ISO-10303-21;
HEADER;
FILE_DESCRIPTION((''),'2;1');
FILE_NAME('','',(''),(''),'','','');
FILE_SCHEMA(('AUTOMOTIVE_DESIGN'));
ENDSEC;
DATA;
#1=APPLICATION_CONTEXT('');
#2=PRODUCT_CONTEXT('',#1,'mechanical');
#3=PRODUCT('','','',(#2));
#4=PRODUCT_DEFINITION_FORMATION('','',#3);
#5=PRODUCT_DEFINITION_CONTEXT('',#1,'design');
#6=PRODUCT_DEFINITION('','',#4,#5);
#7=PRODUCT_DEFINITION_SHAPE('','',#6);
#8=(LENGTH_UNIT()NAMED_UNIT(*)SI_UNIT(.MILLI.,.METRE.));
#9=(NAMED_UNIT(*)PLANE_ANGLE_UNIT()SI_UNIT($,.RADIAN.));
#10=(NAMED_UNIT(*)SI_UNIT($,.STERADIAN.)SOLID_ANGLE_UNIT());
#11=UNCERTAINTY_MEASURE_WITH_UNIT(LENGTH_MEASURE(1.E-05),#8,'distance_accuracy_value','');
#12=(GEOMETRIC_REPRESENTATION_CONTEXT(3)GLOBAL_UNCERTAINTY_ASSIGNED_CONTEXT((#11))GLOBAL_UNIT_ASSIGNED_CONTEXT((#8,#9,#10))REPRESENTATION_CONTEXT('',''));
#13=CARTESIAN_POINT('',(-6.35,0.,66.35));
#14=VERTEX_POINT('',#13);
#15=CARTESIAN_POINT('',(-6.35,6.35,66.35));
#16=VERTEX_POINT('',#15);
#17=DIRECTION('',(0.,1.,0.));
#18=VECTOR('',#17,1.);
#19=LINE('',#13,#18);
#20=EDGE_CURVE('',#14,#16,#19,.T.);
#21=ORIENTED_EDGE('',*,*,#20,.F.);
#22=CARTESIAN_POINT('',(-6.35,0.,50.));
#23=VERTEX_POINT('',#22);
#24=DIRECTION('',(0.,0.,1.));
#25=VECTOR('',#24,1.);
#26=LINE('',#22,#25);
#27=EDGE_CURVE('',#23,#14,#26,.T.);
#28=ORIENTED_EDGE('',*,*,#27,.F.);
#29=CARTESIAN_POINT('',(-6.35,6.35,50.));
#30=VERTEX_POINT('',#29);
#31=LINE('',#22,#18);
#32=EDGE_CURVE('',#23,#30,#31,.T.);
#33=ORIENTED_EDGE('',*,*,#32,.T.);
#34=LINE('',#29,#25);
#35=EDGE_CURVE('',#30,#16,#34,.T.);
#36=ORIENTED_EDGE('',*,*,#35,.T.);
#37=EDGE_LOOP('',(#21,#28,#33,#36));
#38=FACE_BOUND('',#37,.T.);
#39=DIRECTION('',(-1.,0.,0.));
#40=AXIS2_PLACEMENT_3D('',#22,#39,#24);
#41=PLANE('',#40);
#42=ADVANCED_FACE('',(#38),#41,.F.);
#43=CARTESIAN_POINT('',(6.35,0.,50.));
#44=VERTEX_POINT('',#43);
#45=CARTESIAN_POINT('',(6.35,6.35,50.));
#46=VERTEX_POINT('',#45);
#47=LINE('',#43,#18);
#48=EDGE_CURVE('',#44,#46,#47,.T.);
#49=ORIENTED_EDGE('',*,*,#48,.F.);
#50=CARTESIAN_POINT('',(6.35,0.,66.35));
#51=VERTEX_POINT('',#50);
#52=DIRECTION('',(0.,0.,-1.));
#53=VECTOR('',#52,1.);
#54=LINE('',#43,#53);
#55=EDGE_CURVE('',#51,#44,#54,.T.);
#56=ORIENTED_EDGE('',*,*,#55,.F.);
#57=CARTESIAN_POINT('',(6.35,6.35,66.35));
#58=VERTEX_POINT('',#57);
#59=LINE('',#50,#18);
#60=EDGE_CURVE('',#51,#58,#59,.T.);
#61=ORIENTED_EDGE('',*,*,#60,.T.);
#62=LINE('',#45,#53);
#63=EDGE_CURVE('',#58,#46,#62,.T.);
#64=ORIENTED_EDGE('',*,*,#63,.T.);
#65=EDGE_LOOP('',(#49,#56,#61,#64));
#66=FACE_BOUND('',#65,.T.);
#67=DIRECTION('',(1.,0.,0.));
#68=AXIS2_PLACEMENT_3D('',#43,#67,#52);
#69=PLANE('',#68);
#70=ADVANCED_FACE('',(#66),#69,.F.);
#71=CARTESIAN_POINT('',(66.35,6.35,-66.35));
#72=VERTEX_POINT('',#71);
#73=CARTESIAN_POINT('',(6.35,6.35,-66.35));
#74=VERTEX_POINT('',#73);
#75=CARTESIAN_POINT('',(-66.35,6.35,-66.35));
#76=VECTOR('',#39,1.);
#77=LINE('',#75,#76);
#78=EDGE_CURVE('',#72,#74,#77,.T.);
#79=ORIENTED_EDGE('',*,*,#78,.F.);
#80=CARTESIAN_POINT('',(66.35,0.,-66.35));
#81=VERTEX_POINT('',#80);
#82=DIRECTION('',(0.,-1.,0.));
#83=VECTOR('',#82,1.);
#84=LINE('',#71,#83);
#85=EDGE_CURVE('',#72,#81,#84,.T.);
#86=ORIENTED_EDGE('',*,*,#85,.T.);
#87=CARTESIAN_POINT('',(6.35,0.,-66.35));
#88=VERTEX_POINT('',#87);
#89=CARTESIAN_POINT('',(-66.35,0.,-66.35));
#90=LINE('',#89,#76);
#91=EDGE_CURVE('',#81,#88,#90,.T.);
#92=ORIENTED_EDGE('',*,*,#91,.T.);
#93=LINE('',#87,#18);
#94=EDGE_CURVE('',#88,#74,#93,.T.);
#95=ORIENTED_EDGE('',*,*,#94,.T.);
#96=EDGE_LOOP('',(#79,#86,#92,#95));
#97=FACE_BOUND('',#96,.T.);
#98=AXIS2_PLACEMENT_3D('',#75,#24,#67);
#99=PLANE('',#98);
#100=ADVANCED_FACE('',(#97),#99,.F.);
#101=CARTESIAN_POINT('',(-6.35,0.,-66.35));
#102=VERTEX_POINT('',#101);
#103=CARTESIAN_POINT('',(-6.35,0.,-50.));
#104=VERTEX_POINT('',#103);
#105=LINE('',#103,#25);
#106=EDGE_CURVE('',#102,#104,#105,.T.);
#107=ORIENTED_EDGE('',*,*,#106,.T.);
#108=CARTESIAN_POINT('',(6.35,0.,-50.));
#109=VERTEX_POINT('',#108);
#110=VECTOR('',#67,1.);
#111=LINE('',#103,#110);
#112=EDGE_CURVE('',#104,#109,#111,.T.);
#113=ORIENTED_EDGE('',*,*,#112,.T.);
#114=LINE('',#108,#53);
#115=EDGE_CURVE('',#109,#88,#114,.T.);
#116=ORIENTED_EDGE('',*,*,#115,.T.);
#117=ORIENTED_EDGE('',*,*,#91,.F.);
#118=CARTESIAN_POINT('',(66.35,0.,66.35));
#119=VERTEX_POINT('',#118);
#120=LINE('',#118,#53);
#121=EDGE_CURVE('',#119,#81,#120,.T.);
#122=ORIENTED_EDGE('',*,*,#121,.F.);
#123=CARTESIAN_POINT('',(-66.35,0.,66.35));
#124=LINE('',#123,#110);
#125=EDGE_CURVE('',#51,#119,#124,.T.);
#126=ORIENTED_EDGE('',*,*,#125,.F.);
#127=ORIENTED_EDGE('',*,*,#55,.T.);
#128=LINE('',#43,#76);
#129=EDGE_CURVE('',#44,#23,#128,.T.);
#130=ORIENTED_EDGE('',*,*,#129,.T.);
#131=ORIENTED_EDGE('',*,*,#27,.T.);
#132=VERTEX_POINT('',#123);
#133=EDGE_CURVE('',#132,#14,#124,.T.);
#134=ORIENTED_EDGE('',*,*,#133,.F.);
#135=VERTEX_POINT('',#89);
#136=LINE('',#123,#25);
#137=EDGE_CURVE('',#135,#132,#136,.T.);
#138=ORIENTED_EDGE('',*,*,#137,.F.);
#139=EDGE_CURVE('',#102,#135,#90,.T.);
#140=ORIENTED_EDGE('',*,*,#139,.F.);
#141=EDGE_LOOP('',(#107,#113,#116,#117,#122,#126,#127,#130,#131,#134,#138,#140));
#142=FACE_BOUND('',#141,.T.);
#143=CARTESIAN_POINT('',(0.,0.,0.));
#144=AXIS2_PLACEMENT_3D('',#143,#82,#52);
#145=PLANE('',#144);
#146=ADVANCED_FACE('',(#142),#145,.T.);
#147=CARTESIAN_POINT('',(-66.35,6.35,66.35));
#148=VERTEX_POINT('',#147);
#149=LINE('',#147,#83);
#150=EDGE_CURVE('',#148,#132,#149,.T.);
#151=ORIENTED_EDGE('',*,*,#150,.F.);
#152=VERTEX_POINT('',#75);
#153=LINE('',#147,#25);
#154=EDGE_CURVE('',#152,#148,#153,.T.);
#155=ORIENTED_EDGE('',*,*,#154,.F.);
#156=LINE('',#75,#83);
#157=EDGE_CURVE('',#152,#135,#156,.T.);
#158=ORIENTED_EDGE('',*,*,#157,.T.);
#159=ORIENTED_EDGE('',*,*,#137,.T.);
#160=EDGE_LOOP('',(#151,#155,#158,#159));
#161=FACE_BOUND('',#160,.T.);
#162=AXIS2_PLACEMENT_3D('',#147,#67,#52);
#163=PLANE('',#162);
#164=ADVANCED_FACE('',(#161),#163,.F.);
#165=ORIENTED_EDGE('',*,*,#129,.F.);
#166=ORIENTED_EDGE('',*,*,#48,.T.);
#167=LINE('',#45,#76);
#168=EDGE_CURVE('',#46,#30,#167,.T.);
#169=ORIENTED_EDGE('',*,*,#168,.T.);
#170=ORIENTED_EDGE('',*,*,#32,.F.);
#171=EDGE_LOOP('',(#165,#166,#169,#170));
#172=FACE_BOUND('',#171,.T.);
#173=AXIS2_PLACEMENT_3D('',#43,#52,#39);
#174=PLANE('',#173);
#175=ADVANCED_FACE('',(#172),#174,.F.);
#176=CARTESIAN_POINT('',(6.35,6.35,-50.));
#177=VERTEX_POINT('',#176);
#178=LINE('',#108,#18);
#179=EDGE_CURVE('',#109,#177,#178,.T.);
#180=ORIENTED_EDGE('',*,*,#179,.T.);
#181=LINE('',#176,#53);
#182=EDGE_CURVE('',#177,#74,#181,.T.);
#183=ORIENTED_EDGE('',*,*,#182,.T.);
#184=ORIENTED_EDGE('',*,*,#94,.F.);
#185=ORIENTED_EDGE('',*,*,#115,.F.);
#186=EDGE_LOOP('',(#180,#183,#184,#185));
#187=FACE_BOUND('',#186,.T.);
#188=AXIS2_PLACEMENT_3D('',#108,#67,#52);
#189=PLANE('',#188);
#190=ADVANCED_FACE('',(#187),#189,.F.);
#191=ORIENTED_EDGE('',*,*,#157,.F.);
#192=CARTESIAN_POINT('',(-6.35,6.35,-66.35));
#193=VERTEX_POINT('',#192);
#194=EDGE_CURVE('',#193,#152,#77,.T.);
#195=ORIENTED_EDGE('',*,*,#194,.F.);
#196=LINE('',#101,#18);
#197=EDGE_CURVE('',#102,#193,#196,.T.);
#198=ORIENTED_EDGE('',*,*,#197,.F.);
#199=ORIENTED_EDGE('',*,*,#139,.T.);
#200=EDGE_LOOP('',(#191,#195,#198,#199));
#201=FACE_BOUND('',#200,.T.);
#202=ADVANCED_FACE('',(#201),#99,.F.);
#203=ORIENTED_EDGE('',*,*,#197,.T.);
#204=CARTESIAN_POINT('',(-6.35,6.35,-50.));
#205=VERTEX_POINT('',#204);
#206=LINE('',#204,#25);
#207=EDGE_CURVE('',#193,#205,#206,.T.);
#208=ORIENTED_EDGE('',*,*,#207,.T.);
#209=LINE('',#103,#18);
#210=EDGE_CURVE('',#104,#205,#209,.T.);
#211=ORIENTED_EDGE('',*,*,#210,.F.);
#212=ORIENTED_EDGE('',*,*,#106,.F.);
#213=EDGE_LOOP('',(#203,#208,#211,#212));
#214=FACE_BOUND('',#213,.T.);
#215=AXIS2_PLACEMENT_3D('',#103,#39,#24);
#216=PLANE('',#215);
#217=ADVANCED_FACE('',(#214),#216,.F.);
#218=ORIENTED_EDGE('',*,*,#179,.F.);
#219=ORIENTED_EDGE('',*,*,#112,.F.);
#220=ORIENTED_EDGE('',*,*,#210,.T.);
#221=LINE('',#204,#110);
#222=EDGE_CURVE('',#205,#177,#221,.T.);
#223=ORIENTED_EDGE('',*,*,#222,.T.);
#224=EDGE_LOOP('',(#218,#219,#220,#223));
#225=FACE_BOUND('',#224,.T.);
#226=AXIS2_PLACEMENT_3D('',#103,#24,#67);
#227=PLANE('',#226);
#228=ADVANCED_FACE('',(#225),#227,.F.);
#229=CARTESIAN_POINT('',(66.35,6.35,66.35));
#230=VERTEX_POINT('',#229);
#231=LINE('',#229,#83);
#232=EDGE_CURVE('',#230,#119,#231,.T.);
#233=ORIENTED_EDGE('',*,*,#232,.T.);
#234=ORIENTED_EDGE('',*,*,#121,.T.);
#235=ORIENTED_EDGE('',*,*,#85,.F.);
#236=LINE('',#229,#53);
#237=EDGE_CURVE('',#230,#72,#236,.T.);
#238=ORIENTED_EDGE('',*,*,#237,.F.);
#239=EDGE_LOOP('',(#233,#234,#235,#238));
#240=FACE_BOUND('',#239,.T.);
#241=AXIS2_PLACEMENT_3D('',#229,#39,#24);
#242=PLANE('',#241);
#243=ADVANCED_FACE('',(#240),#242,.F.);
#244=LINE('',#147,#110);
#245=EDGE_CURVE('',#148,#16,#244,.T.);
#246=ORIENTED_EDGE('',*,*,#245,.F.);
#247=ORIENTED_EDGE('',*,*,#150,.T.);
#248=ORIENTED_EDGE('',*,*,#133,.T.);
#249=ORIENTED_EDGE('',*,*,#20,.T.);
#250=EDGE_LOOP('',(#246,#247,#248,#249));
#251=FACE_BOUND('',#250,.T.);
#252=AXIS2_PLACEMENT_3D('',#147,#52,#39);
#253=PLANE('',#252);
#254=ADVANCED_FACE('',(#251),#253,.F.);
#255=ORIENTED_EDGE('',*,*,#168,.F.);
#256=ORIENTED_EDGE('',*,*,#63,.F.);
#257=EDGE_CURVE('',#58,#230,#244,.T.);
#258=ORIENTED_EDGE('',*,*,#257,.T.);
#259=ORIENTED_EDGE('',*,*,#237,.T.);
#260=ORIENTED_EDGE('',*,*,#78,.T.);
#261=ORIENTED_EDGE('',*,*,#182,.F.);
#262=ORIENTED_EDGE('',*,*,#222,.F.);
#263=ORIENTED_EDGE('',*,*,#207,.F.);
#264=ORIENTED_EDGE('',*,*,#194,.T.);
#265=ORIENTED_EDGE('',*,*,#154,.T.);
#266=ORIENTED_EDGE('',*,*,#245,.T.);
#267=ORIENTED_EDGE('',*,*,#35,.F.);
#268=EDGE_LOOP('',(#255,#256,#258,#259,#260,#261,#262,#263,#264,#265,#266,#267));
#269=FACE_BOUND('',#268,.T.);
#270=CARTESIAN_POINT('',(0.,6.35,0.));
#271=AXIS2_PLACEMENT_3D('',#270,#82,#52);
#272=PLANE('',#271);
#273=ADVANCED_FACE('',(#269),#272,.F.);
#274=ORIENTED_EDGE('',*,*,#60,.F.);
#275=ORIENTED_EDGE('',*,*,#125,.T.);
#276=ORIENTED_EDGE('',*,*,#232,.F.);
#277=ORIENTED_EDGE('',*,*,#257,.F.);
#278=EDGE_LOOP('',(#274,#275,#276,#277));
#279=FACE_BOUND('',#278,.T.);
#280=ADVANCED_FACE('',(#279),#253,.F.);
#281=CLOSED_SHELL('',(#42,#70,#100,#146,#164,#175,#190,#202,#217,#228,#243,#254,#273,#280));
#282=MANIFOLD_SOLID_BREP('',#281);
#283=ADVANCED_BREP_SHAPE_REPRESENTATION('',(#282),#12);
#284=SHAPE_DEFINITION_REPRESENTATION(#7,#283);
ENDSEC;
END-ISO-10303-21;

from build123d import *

# Parameters (mm, degrees)
SKETCH1_W           = 132.7
SKETCH1_H           = 132.7
BOSS_EXTRUDE2_DEPTH = 6.35
SKETCH5_W           = 12.7
SKETCH5_H           = 16.35
CUT_EXTRUDE1_DEPTH  = 95.047687372
CIRPATTERN1_COUNT   = 2


with BuildPart() as part:
    # Sketch1 → Boss-Extrude2 (new body)
    with BuildSketch(Plane(origin=(0, 0, 0), x_dir=(1, 0, 0), z_dir=(0, 1, 0))):
        Rectangle(SKETCH1_W, SKETCH1_H)
    extrude(amount=BOSS_EXTRUDE2_DEPTH)

    # Sketch5 → Cut-Extrude1 (cut, through all)
    with BuildSketch(Plane(origin=(0, 6.35, 0), x_dir=(1, 0, 0), z_dir=(0, 1, 0))):
        with Locations((0, 58.175)):
            Rectangle(SKETCH5_W, SKETCH5_H)
    cut_extrude1 = extrude(amount=-CUT_EXTRUDE1_DEPTH, mode=Mode.SUBTRACT)

    # CirPattern1: Cut-Extrude1 ×2 about axis
    cirpattern1_axis = Axis((0, 6.35, 0), (0, 1, 0))
    for i in range(1, CIRPATTERN1_COUNT):
        add(cut_extrude1.rotate(cirpattern1_axis, i * 360 / CIRPATTERN1_COUNT), mode=Mode.SUBTRACT)


solid = part.part
